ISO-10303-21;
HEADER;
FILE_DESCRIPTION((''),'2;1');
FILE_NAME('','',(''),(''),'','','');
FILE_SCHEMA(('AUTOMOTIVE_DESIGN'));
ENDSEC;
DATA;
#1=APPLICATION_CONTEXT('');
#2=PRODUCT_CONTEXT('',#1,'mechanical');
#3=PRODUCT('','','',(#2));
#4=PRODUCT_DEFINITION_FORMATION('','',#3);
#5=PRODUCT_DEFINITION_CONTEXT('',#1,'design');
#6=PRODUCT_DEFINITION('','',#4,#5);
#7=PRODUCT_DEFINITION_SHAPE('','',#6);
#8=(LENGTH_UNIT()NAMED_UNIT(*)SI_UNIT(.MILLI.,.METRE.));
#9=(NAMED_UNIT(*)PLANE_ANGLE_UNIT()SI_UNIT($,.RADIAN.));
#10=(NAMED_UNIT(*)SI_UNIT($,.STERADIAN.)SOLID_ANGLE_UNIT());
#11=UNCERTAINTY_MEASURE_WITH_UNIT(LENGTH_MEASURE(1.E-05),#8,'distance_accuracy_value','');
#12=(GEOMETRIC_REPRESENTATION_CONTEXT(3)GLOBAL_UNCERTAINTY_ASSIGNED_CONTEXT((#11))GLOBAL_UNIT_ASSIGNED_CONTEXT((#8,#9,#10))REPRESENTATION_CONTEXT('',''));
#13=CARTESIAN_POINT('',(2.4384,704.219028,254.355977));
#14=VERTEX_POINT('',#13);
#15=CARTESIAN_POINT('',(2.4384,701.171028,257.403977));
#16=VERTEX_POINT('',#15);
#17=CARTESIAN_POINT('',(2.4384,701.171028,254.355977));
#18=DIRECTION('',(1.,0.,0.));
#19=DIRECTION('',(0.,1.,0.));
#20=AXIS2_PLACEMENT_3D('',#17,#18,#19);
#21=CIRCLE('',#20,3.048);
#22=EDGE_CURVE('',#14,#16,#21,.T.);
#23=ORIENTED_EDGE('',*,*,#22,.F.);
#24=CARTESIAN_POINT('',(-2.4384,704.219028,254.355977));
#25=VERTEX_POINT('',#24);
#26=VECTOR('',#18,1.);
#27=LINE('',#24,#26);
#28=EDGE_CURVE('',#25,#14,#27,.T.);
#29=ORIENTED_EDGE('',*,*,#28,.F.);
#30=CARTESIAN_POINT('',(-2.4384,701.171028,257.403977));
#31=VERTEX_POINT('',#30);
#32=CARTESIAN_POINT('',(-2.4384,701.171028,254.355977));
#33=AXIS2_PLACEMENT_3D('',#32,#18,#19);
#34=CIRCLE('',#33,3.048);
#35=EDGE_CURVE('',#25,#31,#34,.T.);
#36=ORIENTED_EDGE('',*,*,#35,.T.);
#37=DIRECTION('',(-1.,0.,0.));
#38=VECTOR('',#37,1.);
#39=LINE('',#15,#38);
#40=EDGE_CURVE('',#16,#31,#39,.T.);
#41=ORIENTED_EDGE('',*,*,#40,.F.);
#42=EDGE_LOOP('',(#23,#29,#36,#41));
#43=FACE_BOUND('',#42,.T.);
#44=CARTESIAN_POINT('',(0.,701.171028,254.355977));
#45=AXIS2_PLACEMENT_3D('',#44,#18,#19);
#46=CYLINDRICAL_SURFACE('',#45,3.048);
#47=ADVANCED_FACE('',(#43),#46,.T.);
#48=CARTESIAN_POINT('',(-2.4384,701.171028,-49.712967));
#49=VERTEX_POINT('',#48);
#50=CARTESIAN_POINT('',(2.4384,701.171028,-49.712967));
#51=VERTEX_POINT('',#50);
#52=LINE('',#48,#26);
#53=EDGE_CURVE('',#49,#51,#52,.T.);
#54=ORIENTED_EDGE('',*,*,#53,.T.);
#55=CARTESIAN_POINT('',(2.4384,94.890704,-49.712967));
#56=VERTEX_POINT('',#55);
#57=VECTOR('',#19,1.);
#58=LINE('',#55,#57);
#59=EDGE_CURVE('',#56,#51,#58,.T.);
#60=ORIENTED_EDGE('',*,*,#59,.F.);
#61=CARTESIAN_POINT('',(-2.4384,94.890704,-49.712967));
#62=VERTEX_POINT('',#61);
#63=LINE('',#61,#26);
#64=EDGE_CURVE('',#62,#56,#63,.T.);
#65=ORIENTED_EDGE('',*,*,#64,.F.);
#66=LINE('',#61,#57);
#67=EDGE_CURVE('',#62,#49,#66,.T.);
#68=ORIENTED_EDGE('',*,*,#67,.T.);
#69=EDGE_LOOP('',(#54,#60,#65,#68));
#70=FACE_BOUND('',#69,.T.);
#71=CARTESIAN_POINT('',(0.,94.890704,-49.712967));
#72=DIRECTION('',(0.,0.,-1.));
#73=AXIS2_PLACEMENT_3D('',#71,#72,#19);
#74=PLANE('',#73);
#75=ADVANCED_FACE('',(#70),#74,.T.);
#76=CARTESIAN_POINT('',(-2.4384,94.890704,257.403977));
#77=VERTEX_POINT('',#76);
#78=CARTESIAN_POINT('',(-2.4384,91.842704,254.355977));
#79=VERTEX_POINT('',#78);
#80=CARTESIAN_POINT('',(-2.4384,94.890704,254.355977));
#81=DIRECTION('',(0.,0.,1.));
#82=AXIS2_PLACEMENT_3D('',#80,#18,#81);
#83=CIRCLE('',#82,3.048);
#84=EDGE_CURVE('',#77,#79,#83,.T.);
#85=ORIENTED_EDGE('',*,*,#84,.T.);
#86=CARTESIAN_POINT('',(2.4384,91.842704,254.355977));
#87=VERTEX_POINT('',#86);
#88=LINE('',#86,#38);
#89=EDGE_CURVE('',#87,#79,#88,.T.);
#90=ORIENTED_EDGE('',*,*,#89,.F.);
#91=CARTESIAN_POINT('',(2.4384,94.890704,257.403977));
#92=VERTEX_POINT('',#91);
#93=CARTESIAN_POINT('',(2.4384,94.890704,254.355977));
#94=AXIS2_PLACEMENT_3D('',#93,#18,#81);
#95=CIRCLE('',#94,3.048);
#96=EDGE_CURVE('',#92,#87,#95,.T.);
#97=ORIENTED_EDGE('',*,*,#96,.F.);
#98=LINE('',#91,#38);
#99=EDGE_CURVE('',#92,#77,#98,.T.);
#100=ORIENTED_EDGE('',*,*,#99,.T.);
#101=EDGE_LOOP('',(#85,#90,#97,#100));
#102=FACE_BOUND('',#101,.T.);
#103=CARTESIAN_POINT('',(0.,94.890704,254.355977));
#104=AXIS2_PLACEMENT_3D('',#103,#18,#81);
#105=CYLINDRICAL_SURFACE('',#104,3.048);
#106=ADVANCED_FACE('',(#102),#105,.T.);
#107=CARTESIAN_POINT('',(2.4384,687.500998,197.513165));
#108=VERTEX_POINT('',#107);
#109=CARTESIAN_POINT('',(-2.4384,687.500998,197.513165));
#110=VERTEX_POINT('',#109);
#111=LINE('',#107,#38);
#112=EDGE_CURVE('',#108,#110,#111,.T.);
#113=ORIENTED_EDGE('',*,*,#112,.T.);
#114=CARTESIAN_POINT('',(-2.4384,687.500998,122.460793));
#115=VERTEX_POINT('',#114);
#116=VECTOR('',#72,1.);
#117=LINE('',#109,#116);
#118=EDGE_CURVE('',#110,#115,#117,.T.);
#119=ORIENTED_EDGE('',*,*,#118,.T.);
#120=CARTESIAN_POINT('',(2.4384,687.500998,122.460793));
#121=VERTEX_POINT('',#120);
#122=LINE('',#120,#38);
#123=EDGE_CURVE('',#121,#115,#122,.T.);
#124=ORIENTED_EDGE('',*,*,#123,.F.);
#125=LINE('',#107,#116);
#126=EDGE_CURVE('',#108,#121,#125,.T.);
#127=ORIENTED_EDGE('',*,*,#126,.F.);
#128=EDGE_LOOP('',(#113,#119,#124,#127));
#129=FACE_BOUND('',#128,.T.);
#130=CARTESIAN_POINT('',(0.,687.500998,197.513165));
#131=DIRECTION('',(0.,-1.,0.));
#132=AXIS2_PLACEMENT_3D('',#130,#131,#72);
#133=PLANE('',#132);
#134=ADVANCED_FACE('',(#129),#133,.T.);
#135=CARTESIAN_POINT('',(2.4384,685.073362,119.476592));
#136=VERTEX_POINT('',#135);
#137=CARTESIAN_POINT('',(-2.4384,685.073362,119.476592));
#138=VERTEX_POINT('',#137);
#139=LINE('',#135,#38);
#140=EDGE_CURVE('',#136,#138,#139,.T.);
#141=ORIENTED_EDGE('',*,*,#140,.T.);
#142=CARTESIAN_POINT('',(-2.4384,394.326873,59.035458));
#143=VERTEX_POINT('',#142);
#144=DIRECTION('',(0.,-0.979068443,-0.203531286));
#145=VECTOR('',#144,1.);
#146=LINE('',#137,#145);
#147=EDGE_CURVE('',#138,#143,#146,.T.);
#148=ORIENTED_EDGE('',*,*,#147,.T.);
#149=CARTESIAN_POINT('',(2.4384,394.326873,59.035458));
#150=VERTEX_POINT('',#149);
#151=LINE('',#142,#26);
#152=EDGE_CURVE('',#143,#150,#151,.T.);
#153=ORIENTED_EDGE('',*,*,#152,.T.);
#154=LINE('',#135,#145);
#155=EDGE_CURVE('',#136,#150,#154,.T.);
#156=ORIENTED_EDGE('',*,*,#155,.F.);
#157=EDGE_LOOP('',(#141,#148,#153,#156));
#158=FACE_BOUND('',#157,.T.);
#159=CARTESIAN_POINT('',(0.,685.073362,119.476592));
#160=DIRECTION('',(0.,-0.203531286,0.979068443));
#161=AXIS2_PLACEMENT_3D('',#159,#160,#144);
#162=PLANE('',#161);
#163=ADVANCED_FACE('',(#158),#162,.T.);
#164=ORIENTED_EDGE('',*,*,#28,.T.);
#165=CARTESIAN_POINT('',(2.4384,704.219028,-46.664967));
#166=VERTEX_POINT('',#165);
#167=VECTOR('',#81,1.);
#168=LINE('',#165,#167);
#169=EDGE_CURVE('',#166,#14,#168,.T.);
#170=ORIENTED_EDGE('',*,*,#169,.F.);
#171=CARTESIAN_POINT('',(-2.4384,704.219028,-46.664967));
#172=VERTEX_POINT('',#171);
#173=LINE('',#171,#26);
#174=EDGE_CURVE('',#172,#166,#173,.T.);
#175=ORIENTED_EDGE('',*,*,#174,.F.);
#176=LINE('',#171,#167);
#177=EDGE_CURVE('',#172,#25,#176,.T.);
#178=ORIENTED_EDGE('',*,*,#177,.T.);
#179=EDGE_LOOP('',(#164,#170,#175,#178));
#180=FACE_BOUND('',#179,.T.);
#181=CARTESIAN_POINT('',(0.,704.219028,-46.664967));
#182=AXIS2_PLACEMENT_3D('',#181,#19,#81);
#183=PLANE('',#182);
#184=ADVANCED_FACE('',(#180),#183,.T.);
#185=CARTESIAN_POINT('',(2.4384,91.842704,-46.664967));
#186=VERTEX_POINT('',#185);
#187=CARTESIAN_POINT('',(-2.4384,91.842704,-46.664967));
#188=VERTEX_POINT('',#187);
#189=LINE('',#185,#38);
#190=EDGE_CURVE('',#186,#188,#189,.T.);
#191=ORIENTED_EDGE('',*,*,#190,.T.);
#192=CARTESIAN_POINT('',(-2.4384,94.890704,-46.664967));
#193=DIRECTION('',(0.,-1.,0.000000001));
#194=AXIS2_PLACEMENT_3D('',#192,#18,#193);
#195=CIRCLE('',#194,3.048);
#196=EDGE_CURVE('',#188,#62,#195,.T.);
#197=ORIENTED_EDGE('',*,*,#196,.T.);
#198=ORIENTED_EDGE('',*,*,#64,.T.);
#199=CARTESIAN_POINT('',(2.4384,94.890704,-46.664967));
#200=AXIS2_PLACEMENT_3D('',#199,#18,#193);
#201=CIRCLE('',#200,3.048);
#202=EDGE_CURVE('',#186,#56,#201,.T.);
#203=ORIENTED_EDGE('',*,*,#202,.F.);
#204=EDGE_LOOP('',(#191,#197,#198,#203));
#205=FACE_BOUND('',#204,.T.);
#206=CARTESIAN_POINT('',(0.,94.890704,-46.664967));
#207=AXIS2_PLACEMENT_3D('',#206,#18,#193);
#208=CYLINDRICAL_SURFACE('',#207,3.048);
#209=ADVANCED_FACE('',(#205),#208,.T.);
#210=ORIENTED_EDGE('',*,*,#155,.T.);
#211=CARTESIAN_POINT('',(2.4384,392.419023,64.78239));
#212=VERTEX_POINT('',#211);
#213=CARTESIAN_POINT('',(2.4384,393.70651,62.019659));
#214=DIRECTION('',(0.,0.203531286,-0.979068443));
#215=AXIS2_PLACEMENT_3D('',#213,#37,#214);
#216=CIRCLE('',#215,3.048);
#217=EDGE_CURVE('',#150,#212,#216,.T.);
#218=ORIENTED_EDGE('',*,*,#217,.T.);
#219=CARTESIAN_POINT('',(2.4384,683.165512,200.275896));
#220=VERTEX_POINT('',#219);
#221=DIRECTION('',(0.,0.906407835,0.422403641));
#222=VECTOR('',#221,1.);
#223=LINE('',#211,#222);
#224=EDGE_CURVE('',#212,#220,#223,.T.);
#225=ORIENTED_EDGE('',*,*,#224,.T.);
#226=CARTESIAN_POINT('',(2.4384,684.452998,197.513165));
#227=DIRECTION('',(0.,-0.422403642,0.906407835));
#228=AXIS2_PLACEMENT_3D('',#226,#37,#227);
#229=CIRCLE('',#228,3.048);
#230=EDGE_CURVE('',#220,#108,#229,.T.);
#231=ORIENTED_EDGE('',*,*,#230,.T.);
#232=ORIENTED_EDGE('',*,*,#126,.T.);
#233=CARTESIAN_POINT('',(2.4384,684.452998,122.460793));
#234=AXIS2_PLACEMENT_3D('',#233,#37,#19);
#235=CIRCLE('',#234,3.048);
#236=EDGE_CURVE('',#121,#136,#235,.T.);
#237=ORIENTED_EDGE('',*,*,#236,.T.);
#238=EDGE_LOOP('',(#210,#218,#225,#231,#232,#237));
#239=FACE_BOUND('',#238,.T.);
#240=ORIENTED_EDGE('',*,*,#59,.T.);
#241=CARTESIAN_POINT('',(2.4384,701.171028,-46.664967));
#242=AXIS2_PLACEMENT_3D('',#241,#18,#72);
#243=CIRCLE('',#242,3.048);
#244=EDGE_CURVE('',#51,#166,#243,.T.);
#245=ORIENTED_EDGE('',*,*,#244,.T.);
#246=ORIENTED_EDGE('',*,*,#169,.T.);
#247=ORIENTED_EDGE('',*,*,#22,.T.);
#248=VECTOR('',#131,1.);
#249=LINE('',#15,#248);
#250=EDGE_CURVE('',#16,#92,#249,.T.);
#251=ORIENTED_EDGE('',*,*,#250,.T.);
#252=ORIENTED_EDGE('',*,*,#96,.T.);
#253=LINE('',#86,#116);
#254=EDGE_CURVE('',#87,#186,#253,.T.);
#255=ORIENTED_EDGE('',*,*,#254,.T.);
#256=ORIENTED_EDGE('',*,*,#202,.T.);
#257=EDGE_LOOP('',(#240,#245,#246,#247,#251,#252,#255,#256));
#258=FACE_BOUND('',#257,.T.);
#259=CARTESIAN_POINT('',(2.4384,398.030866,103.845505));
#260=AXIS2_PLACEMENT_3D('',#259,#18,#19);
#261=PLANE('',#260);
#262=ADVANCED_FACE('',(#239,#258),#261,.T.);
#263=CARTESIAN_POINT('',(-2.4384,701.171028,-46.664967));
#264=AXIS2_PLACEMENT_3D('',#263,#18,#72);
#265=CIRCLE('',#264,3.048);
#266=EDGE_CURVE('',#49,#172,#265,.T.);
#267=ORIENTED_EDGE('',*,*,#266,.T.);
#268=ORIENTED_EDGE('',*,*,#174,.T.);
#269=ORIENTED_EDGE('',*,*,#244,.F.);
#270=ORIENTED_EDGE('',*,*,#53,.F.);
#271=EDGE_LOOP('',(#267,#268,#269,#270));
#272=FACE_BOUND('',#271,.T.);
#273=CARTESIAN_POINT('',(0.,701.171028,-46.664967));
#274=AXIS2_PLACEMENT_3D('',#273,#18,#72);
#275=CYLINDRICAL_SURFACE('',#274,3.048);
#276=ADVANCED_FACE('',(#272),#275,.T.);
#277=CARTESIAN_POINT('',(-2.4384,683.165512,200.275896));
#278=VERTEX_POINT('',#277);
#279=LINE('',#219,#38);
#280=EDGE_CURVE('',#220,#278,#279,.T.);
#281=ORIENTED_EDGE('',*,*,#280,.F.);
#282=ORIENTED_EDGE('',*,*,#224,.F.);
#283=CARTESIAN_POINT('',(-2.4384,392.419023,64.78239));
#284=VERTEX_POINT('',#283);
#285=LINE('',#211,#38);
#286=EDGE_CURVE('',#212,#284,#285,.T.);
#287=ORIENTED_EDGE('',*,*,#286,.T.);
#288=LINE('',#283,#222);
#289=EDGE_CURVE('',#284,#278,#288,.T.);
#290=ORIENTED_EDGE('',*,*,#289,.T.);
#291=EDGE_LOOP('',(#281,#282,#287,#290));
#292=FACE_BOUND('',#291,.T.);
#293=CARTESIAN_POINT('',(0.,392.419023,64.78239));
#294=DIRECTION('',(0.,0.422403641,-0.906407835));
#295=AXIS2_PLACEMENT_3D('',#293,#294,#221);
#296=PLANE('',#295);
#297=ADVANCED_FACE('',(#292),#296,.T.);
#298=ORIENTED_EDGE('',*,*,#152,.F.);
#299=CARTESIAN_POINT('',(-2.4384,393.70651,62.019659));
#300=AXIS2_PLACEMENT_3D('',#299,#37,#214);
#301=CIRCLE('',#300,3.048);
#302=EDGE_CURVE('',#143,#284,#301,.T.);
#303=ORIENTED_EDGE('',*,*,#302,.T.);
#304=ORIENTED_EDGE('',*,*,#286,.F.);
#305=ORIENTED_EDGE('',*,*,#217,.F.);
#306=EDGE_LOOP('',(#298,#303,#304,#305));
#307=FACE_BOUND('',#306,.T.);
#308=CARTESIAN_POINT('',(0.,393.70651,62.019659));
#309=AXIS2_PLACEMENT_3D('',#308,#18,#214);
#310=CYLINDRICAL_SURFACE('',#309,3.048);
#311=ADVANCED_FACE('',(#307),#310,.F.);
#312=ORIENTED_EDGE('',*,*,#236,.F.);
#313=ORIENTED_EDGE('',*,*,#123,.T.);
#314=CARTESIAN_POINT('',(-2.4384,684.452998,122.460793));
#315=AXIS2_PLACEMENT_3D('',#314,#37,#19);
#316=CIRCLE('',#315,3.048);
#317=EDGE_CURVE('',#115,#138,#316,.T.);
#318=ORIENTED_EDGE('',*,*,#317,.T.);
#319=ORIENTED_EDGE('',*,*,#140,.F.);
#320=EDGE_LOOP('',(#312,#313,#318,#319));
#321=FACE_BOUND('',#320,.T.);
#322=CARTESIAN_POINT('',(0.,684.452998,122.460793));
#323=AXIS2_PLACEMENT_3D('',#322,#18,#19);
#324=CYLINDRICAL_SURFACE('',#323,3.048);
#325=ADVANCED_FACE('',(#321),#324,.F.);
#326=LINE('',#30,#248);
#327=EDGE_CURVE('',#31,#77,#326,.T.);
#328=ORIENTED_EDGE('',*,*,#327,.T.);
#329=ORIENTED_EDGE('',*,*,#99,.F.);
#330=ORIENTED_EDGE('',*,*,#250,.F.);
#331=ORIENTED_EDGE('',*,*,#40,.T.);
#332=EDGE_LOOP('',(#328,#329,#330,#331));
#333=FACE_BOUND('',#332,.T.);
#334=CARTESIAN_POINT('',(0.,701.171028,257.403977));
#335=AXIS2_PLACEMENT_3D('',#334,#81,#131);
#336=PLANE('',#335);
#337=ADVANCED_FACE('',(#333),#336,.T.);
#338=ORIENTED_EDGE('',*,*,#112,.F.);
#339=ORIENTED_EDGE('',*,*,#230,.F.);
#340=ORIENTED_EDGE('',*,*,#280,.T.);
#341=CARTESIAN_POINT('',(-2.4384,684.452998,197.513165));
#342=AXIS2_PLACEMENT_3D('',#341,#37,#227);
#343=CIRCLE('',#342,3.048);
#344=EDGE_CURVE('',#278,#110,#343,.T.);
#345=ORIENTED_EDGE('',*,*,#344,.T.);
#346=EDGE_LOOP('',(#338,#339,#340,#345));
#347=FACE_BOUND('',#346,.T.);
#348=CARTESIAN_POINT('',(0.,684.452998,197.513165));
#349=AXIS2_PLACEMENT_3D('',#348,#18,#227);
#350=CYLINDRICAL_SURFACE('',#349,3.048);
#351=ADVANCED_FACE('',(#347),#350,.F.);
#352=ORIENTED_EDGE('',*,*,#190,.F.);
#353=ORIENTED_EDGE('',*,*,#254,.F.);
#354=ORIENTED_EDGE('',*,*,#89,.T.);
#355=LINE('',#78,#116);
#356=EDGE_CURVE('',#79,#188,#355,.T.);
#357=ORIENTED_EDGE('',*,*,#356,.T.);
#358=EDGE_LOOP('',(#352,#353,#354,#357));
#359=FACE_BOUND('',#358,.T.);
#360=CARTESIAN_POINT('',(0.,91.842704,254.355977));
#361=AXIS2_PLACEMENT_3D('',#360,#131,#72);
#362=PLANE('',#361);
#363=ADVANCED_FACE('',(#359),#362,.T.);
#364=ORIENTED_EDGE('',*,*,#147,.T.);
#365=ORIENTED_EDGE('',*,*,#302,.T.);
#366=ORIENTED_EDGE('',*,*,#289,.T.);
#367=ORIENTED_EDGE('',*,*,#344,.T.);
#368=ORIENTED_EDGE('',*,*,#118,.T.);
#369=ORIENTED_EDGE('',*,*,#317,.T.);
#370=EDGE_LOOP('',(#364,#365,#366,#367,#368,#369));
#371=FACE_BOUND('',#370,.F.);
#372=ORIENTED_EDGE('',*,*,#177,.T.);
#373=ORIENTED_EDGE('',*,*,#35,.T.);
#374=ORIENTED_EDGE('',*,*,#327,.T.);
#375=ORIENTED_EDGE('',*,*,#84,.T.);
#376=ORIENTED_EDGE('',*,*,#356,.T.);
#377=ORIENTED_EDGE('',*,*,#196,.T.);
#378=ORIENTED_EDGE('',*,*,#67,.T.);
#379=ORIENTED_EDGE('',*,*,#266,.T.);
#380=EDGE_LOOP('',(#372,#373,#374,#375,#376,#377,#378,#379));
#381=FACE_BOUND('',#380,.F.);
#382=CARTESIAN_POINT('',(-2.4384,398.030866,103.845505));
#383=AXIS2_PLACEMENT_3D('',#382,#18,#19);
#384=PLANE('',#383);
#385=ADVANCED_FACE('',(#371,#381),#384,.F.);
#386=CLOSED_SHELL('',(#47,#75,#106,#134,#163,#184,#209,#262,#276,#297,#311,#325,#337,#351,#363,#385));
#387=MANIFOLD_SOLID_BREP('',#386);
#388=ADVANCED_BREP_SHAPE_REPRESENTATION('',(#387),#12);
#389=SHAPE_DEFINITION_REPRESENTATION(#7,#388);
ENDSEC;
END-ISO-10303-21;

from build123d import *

# Parameters (mm, degrees)
F1_DEPTH = 0.2032
F2_SCALE = 12


with BuildPart() as f1:
    # F0 (on Right) → F1 (new body, symmetric)
    with BuildSketch(Plane.YZ):
        with BuildLine():
            ThreePointArc((7.6535586268, -3.8887472606), (7.7279535043, -4.0683523831), (7.9075586268, -4.1427472606))
            Line((7.9075586268, -4.1427472606), (58.4309190295, -4.1427472606))
            ThreePointArc((58.4309190295, -4.1427472606), (58.6105241519, -4.0683523831), (58.6849190295, -3.8887472606))
            Line((58.6849190295, -3.8887472606), (58.6849190295, 21.1963314346))
            ThreePointArc((58.6849190295, 21.1963314346), (58.6105241519, 21.375936557), (58.4309190295, 21.4503314346))
            Line((58.4309190295, 21.4503314346), (7.9075586268, 21.4503314346))
            ThreePointArc((7.9075586268, 21.4503314346), (7.7279535043, 21.375936557), (7.6535586268, 21.1963314346))
            Line((7.6535586268, 21.1963314346), (7.6535586268, -3.8887472606))
        make_face()
        with BuildLine():
            ThreePointArc((32.8605727571, 4.9196215098), (32.5678123501, 5.0882773482), (32.7015852855, 5.3985324844))
            Line((32.7015852855, 5.3985324844), (56.9304593399, 16.6896579893))
            ThreePointArc((56.9304593399, 16.6896579893), (57.1742493276, 16.6736356668), (57.2917498648, 16.4594303992))
            Line((57.2917498648, 16.4594303992), (57.2917498648, 10.2050660498))
            ThreePointArc((57.2917498648, 10.2050660498), (57.2347866945, 10.0447772861), (57.0894468115, 9.9563826653))
            Line((57.0894468115, 9.9563826653), (32.8605727571, 4.9196215098))
        make_face(mode=Mode.SUBTRACT)
    extrude(amount=F1_DEPTH, both=True)


with BuildPart() as f1_1:
    # F2: moved
    add(f1.part.scale(F2_SCALE))


solid = f1_1.part
